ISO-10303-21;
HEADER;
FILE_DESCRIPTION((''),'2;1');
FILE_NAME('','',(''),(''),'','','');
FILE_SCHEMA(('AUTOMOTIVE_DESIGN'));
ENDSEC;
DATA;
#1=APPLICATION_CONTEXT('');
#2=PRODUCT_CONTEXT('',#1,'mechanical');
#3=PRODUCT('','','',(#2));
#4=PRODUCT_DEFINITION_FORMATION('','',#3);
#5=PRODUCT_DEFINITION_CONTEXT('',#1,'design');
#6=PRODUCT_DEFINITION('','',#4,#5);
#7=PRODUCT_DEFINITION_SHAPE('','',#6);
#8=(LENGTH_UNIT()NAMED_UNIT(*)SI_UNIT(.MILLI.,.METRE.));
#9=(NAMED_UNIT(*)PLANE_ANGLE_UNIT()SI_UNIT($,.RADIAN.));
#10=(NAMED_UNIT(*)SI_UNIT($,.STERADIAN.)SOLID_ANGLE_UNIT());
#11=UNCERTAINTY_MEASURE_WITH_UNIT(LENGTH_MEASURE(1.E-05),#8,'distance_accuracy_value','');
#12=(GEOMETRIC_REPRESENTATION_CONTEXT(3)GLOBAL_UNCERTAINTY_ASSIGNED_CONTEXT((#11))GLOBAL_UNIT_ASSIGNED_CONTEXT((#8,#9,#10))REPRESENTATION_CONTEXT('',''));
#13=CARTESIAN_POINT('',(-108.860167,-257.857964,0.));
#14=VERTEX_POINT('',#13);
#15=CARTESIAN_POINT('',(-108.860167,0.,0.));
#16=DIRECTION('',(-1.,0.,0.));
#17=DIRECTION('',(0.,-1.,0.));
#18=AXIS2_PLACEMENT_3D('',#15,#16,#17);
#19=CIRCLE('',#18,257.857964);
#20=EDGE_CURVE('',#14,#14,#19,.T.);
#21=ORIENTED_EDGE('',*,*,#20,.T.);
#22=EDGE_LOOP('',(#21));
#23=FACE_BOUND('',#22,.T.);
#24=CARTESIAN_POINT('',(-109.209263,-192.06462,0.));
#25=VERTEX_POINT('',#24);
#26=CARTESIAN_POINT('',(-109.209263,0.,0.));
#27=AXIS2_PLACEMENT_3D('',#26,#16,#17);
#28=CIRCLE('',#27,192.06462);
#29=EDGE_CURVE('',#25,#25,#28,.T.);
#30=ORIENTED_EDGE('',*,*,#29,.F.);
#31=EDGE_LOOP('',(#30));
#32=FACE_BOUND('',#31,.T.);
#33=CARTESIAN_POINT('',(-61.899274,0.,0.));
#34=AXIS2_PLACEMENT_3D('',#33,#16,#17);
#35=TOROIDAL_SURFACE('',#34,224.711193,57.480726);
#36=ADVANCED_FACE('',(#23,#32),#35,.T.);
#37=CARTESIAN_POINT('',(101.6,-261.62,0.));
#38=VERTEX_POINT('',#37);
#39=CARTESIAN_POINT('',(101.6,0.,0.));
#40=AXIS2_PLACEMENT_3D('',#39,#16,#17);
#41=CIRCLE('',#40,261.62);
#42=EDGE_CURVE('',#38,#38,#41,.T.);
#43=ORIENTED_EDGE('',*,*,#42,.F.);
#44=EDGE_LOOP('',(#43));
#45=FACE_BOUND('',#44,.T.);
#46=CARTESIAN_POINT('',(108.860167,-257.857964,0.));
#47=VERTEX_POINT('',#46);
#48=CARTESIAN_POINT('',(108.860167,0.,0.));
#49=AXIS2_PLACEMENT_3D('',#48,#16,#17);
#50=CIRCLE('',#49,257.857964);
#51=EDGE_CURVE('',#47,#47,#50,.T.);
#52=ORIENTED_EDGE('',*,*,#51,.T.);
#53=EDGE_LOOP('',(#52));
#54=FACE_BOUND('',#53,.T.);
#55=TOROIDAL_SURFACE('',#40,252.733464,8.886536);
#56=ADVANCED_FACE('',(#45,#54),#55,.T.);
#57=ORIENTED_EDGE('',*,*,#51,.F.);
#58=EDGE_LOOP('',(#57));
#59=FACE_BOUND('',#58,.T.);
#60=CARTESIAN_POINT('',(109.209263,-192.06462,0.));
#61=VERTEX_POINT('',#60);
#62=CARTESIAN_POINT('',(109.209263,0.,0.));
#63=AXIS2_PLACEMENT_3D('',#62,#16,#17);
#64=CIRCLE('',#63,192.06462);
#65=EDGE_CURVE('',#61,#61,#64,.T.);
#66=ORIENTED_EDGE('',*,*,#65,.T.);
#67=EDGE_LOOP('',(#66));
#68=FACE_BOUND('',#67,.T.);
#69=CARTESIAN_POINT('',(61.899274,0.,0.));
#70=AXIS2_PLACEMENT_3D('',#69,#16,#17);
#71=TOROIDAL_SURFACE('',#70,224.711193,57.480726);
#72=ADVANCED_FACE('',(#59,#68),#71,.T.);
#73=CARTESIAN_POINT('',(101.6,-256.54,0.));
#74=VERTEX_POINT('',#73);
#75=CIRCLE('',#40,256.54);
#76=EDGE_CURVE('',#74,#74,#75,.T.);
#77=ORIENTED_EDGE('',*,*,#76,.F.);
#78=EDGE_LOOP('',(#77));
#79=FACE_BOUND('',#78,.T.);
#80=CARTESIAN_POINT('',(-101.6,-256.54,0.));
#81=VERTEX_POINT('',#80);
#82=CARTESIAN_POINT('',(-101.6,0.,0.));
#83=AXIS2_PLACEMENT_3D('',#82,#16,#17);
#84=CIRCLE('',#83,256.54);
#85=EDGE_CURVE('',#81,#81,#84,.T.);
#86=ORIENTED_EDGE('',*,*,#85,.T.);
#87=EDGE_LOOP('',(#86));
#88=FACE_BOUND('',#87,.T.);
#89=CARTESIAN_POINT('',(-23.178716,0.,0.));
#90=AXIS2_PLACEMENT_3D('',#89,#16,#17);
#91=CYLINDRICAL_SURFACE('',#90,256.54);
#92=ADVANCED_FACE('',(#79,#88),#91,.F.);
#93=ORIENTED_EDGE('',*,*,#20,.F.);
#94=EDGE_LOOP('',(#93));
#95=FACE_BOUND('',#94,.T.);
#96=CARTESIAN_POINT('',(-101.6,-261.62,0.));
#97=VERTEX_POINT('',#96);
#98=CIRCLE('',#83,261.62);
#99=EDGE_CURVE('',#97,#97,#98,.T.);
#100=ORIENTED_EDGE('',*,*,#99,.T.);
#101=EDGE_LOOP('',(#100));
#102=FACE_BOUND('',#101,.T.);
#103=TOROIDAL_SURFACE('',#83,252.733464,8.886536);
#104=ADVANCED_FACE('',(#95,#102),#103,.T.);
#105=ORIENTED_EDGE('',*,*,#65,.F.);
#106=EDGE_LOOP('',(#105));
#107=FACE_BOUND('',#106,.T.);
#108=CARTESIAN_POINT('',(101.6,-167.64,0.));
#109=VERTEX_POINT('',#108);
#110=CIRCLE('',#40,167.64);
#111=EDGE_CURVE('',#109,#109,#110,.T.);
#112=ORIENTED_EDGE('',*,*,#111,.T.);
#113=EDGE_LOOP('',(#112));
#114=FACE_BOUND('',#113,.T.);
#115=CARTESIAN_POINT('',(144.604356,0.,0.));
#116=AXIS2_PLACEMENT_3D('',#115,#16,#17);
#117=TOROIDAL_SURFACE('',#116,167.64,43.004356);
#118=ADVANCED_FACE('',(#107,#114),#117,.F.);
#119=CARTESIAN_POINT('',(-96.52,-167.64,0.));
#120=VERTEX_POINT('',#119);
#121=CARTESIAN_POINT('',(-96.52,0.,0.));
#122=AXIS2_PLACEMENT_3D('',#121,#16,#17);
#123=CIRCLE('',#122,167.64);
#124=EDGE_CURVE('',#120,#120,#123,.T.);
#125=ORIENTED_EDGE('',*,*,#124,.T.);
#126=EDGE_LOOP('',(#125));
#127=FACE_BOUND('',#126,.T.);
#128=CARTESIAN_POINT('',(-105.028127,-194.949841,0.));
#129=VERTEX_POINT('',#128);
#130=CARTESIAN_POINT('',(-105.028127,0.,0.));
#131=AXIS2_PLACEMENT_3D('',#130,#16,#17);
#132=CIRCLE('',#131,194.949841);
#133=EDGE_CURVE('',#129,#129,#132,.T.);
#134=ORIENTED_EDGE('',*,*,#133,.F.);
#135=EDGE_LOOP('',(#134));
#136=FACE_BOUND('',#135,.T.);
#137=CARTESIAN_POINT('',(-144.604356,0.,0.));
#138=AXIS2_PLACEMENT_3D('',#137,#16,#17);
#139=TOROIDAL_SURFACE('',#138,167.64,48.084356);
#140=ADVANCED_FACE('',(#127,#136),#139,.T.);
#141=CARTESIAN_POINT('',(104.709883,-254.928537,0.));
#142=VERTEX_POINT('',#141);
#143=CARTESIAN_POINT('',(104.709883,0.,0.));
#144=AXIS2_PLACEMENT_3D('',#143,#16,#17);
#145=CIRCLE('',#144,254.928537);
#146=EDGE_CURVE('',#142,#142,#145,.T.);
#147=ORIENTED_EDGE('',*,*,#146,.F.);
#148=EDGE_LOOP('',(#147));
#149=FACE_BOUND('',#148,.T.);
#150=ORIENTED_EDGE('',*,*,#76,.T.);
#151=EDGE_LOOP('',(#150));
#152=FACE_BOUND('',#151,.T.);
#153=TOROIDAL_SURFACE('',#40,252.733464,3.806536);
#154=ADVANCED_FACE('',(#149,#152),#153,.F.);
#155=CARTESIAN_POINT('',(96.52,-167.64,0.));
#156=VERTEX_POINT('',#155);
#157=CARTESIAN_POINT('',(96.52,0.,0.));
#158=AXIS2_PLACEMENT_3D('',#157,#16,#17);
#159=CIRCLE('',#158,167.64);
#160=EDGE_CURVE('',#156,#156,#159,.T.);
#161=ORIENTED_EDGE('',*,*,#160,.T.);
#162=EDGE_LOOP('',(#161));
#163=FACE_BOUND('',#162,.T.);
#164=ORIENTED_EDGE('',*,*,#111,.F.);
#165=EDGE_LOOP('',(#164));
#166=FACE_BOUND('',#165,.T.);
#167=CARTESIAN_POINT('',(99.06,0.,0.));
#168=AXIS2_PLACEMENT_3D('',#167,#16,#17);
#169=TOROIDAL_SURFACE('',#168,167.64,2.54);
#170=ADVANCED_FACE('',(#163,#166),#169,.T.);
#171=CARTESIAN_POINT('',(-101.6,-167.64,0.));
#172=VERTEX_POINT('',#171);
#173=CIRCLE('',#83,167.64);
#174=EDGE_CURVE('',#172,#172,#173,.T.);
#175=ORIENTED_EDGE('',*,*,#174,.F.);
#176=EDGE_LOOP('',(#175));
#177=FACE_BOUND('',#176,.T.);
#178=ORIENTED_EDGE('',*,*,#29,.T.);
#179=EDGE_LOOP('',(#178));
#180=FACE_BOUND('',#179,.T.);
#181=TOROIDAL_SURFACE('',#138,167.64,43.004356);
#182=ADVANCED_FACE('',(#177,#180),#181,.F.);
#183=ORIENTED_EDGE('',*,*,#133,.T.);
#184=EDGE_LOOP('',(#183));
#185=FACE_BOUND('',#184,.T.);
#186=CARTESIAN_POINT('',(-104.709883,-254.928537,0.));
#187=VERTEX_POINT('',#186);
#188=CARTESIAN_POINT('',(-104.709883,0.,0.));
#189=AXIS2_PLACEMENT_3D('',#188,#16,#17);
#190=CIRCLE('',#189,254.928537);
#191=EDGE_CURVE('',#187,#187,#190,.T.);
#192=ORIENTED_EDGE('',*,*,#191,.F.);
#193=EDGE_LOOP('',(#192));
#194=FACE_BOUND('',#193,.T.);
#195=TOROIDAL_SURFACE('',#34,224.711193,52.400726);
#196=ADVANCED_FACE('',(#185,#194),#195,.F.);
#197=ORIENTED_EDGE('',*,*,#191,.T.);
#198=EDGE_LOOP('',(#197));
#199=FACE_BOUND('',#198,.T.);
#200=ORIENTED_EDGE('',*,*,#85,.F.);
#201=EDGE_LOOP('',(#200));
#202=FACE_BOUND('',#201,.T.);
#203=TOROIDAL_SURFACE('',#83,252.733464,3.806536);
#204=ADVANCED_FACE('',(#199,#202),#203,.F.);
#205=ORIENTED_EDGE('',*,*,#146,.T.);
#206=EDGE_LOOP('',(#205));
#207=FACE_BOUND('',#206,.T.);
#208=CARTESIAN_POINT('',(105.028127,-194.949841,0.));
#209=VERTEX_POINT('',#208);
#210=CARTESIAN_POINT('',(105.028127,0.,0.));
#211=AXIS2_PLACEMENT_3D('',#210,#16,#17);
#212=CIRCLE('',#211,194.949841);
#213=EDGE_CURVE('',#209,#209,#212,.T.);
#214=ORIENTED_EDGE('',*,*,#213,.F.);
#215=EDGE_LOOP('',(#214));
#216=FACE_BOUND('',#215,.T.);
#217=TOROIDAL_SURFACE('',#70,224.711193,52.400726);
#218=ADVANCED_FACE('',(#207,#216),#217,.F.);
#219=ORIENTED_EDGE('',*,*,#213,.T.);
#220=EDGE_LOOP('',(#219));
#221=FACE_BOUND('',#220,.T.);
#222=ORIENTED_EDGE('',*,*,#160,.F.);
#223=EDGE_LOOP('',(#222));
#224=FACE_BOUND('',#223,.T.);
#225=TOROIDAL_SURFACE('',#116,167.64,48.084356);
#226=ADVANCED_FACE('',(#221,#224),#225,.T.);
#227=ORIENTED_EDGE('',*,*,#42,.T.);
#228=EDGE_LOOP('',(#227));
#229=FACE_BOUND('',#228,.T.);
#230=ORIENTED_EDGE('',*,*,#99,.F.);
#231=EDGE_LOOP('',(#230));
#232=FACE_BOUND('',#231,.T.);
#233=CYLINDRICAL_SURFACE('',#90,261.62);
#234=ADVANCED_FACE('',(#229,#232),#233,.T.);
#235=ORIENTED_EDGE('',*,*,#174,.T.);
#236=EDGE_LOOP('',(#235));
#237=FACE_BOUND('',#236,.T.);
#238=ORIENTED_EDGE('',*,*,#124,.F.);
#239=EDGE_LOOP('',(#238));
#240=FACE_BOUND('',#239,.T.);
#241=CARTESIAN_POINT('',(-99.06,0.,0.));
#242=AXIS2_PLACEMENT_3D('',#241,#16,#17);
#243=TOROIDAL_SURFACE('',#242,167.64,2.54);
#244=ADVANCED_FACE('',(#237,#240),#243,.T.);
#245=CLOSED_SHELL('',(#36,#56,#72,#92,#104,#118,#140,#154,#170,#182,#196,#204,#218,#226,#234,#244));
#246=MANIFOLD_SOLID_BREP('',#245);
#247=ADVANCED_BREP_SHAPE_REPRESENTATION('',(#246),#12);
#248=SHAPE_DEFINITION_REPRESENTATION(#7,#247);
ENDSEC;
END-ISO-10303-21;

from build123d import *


with BuildPart() as part:
    # Sketch3 → Tire (revolve)
    with BuildSketch(Plane.XY):
        with BuildLine():
            Line((-101.6, 261.62), (101.6, 261.62))
            ThreePointArc((101.6, 261.62), (105.688488185, 260.623634259), (108.860167055, 257.85796373))
            ThreePointArc((108.860167055, 257.85796373), (119.379190886, 225.016179083), (109.209263361, 192.064619858))
            ThreePointArc((109.209263361, 192.064619858), (103.546361654, 180.431236689), (101.6, 167.64))
            ThreePointArc((101.6, 167.64), (99.06, 165.1), (96.52, 167.64))
            ThreePointArc((96.52, 167.64), (98.696280622, 181.942234367), (105.028127134, 194.949840794))
            ThreePointArc((105.028127134, 194.949840794), (114.299262394, 224.989225227), (104.70988307, 254.928536681))
            ThreePointArc((104.70988307, 254.928536681), (103.351298571, 256.113208037), (101.6, 256.54))
            Line((101.6, 256.54), (-101.6, 256.54))
            ThreePointArc((-101.6, 256.54), (-103.351298571, 256.113208037), (-104.70988307, 254.928536681))
            ThreePointArc((-104.70988307, 254.928536681), (-114.299262394, 224.989225227), (-105.028127134, 194.949840794))
            ThreePointArc((-105.028127134, 194.949840794), (-98.696280622, 181.942234367), (-96.52, 167.64))
            ThreePointArc((-96.52, 167.64), (-99.06, 165.1), (-101.6, 167.64))
            ThreePointArc((-101.6, 167.64), (-103.546361654, 180.431236689), (-109.209263361, 192.064619858))
            ThreePointArc((-109.209263361, 192.064619858), (-119.379190886, 225.016179083), (-108.860167055, 257.85796373))
            ThreePointArc((-108.860167055, 257.85796373), (-105.688488185, 260.623634259), (-101.6, 261.62))
        make_face()
    revolve(axis=Axis((-23.17871602, 0, 0), (1, 0, 0)))


solid = part.part
